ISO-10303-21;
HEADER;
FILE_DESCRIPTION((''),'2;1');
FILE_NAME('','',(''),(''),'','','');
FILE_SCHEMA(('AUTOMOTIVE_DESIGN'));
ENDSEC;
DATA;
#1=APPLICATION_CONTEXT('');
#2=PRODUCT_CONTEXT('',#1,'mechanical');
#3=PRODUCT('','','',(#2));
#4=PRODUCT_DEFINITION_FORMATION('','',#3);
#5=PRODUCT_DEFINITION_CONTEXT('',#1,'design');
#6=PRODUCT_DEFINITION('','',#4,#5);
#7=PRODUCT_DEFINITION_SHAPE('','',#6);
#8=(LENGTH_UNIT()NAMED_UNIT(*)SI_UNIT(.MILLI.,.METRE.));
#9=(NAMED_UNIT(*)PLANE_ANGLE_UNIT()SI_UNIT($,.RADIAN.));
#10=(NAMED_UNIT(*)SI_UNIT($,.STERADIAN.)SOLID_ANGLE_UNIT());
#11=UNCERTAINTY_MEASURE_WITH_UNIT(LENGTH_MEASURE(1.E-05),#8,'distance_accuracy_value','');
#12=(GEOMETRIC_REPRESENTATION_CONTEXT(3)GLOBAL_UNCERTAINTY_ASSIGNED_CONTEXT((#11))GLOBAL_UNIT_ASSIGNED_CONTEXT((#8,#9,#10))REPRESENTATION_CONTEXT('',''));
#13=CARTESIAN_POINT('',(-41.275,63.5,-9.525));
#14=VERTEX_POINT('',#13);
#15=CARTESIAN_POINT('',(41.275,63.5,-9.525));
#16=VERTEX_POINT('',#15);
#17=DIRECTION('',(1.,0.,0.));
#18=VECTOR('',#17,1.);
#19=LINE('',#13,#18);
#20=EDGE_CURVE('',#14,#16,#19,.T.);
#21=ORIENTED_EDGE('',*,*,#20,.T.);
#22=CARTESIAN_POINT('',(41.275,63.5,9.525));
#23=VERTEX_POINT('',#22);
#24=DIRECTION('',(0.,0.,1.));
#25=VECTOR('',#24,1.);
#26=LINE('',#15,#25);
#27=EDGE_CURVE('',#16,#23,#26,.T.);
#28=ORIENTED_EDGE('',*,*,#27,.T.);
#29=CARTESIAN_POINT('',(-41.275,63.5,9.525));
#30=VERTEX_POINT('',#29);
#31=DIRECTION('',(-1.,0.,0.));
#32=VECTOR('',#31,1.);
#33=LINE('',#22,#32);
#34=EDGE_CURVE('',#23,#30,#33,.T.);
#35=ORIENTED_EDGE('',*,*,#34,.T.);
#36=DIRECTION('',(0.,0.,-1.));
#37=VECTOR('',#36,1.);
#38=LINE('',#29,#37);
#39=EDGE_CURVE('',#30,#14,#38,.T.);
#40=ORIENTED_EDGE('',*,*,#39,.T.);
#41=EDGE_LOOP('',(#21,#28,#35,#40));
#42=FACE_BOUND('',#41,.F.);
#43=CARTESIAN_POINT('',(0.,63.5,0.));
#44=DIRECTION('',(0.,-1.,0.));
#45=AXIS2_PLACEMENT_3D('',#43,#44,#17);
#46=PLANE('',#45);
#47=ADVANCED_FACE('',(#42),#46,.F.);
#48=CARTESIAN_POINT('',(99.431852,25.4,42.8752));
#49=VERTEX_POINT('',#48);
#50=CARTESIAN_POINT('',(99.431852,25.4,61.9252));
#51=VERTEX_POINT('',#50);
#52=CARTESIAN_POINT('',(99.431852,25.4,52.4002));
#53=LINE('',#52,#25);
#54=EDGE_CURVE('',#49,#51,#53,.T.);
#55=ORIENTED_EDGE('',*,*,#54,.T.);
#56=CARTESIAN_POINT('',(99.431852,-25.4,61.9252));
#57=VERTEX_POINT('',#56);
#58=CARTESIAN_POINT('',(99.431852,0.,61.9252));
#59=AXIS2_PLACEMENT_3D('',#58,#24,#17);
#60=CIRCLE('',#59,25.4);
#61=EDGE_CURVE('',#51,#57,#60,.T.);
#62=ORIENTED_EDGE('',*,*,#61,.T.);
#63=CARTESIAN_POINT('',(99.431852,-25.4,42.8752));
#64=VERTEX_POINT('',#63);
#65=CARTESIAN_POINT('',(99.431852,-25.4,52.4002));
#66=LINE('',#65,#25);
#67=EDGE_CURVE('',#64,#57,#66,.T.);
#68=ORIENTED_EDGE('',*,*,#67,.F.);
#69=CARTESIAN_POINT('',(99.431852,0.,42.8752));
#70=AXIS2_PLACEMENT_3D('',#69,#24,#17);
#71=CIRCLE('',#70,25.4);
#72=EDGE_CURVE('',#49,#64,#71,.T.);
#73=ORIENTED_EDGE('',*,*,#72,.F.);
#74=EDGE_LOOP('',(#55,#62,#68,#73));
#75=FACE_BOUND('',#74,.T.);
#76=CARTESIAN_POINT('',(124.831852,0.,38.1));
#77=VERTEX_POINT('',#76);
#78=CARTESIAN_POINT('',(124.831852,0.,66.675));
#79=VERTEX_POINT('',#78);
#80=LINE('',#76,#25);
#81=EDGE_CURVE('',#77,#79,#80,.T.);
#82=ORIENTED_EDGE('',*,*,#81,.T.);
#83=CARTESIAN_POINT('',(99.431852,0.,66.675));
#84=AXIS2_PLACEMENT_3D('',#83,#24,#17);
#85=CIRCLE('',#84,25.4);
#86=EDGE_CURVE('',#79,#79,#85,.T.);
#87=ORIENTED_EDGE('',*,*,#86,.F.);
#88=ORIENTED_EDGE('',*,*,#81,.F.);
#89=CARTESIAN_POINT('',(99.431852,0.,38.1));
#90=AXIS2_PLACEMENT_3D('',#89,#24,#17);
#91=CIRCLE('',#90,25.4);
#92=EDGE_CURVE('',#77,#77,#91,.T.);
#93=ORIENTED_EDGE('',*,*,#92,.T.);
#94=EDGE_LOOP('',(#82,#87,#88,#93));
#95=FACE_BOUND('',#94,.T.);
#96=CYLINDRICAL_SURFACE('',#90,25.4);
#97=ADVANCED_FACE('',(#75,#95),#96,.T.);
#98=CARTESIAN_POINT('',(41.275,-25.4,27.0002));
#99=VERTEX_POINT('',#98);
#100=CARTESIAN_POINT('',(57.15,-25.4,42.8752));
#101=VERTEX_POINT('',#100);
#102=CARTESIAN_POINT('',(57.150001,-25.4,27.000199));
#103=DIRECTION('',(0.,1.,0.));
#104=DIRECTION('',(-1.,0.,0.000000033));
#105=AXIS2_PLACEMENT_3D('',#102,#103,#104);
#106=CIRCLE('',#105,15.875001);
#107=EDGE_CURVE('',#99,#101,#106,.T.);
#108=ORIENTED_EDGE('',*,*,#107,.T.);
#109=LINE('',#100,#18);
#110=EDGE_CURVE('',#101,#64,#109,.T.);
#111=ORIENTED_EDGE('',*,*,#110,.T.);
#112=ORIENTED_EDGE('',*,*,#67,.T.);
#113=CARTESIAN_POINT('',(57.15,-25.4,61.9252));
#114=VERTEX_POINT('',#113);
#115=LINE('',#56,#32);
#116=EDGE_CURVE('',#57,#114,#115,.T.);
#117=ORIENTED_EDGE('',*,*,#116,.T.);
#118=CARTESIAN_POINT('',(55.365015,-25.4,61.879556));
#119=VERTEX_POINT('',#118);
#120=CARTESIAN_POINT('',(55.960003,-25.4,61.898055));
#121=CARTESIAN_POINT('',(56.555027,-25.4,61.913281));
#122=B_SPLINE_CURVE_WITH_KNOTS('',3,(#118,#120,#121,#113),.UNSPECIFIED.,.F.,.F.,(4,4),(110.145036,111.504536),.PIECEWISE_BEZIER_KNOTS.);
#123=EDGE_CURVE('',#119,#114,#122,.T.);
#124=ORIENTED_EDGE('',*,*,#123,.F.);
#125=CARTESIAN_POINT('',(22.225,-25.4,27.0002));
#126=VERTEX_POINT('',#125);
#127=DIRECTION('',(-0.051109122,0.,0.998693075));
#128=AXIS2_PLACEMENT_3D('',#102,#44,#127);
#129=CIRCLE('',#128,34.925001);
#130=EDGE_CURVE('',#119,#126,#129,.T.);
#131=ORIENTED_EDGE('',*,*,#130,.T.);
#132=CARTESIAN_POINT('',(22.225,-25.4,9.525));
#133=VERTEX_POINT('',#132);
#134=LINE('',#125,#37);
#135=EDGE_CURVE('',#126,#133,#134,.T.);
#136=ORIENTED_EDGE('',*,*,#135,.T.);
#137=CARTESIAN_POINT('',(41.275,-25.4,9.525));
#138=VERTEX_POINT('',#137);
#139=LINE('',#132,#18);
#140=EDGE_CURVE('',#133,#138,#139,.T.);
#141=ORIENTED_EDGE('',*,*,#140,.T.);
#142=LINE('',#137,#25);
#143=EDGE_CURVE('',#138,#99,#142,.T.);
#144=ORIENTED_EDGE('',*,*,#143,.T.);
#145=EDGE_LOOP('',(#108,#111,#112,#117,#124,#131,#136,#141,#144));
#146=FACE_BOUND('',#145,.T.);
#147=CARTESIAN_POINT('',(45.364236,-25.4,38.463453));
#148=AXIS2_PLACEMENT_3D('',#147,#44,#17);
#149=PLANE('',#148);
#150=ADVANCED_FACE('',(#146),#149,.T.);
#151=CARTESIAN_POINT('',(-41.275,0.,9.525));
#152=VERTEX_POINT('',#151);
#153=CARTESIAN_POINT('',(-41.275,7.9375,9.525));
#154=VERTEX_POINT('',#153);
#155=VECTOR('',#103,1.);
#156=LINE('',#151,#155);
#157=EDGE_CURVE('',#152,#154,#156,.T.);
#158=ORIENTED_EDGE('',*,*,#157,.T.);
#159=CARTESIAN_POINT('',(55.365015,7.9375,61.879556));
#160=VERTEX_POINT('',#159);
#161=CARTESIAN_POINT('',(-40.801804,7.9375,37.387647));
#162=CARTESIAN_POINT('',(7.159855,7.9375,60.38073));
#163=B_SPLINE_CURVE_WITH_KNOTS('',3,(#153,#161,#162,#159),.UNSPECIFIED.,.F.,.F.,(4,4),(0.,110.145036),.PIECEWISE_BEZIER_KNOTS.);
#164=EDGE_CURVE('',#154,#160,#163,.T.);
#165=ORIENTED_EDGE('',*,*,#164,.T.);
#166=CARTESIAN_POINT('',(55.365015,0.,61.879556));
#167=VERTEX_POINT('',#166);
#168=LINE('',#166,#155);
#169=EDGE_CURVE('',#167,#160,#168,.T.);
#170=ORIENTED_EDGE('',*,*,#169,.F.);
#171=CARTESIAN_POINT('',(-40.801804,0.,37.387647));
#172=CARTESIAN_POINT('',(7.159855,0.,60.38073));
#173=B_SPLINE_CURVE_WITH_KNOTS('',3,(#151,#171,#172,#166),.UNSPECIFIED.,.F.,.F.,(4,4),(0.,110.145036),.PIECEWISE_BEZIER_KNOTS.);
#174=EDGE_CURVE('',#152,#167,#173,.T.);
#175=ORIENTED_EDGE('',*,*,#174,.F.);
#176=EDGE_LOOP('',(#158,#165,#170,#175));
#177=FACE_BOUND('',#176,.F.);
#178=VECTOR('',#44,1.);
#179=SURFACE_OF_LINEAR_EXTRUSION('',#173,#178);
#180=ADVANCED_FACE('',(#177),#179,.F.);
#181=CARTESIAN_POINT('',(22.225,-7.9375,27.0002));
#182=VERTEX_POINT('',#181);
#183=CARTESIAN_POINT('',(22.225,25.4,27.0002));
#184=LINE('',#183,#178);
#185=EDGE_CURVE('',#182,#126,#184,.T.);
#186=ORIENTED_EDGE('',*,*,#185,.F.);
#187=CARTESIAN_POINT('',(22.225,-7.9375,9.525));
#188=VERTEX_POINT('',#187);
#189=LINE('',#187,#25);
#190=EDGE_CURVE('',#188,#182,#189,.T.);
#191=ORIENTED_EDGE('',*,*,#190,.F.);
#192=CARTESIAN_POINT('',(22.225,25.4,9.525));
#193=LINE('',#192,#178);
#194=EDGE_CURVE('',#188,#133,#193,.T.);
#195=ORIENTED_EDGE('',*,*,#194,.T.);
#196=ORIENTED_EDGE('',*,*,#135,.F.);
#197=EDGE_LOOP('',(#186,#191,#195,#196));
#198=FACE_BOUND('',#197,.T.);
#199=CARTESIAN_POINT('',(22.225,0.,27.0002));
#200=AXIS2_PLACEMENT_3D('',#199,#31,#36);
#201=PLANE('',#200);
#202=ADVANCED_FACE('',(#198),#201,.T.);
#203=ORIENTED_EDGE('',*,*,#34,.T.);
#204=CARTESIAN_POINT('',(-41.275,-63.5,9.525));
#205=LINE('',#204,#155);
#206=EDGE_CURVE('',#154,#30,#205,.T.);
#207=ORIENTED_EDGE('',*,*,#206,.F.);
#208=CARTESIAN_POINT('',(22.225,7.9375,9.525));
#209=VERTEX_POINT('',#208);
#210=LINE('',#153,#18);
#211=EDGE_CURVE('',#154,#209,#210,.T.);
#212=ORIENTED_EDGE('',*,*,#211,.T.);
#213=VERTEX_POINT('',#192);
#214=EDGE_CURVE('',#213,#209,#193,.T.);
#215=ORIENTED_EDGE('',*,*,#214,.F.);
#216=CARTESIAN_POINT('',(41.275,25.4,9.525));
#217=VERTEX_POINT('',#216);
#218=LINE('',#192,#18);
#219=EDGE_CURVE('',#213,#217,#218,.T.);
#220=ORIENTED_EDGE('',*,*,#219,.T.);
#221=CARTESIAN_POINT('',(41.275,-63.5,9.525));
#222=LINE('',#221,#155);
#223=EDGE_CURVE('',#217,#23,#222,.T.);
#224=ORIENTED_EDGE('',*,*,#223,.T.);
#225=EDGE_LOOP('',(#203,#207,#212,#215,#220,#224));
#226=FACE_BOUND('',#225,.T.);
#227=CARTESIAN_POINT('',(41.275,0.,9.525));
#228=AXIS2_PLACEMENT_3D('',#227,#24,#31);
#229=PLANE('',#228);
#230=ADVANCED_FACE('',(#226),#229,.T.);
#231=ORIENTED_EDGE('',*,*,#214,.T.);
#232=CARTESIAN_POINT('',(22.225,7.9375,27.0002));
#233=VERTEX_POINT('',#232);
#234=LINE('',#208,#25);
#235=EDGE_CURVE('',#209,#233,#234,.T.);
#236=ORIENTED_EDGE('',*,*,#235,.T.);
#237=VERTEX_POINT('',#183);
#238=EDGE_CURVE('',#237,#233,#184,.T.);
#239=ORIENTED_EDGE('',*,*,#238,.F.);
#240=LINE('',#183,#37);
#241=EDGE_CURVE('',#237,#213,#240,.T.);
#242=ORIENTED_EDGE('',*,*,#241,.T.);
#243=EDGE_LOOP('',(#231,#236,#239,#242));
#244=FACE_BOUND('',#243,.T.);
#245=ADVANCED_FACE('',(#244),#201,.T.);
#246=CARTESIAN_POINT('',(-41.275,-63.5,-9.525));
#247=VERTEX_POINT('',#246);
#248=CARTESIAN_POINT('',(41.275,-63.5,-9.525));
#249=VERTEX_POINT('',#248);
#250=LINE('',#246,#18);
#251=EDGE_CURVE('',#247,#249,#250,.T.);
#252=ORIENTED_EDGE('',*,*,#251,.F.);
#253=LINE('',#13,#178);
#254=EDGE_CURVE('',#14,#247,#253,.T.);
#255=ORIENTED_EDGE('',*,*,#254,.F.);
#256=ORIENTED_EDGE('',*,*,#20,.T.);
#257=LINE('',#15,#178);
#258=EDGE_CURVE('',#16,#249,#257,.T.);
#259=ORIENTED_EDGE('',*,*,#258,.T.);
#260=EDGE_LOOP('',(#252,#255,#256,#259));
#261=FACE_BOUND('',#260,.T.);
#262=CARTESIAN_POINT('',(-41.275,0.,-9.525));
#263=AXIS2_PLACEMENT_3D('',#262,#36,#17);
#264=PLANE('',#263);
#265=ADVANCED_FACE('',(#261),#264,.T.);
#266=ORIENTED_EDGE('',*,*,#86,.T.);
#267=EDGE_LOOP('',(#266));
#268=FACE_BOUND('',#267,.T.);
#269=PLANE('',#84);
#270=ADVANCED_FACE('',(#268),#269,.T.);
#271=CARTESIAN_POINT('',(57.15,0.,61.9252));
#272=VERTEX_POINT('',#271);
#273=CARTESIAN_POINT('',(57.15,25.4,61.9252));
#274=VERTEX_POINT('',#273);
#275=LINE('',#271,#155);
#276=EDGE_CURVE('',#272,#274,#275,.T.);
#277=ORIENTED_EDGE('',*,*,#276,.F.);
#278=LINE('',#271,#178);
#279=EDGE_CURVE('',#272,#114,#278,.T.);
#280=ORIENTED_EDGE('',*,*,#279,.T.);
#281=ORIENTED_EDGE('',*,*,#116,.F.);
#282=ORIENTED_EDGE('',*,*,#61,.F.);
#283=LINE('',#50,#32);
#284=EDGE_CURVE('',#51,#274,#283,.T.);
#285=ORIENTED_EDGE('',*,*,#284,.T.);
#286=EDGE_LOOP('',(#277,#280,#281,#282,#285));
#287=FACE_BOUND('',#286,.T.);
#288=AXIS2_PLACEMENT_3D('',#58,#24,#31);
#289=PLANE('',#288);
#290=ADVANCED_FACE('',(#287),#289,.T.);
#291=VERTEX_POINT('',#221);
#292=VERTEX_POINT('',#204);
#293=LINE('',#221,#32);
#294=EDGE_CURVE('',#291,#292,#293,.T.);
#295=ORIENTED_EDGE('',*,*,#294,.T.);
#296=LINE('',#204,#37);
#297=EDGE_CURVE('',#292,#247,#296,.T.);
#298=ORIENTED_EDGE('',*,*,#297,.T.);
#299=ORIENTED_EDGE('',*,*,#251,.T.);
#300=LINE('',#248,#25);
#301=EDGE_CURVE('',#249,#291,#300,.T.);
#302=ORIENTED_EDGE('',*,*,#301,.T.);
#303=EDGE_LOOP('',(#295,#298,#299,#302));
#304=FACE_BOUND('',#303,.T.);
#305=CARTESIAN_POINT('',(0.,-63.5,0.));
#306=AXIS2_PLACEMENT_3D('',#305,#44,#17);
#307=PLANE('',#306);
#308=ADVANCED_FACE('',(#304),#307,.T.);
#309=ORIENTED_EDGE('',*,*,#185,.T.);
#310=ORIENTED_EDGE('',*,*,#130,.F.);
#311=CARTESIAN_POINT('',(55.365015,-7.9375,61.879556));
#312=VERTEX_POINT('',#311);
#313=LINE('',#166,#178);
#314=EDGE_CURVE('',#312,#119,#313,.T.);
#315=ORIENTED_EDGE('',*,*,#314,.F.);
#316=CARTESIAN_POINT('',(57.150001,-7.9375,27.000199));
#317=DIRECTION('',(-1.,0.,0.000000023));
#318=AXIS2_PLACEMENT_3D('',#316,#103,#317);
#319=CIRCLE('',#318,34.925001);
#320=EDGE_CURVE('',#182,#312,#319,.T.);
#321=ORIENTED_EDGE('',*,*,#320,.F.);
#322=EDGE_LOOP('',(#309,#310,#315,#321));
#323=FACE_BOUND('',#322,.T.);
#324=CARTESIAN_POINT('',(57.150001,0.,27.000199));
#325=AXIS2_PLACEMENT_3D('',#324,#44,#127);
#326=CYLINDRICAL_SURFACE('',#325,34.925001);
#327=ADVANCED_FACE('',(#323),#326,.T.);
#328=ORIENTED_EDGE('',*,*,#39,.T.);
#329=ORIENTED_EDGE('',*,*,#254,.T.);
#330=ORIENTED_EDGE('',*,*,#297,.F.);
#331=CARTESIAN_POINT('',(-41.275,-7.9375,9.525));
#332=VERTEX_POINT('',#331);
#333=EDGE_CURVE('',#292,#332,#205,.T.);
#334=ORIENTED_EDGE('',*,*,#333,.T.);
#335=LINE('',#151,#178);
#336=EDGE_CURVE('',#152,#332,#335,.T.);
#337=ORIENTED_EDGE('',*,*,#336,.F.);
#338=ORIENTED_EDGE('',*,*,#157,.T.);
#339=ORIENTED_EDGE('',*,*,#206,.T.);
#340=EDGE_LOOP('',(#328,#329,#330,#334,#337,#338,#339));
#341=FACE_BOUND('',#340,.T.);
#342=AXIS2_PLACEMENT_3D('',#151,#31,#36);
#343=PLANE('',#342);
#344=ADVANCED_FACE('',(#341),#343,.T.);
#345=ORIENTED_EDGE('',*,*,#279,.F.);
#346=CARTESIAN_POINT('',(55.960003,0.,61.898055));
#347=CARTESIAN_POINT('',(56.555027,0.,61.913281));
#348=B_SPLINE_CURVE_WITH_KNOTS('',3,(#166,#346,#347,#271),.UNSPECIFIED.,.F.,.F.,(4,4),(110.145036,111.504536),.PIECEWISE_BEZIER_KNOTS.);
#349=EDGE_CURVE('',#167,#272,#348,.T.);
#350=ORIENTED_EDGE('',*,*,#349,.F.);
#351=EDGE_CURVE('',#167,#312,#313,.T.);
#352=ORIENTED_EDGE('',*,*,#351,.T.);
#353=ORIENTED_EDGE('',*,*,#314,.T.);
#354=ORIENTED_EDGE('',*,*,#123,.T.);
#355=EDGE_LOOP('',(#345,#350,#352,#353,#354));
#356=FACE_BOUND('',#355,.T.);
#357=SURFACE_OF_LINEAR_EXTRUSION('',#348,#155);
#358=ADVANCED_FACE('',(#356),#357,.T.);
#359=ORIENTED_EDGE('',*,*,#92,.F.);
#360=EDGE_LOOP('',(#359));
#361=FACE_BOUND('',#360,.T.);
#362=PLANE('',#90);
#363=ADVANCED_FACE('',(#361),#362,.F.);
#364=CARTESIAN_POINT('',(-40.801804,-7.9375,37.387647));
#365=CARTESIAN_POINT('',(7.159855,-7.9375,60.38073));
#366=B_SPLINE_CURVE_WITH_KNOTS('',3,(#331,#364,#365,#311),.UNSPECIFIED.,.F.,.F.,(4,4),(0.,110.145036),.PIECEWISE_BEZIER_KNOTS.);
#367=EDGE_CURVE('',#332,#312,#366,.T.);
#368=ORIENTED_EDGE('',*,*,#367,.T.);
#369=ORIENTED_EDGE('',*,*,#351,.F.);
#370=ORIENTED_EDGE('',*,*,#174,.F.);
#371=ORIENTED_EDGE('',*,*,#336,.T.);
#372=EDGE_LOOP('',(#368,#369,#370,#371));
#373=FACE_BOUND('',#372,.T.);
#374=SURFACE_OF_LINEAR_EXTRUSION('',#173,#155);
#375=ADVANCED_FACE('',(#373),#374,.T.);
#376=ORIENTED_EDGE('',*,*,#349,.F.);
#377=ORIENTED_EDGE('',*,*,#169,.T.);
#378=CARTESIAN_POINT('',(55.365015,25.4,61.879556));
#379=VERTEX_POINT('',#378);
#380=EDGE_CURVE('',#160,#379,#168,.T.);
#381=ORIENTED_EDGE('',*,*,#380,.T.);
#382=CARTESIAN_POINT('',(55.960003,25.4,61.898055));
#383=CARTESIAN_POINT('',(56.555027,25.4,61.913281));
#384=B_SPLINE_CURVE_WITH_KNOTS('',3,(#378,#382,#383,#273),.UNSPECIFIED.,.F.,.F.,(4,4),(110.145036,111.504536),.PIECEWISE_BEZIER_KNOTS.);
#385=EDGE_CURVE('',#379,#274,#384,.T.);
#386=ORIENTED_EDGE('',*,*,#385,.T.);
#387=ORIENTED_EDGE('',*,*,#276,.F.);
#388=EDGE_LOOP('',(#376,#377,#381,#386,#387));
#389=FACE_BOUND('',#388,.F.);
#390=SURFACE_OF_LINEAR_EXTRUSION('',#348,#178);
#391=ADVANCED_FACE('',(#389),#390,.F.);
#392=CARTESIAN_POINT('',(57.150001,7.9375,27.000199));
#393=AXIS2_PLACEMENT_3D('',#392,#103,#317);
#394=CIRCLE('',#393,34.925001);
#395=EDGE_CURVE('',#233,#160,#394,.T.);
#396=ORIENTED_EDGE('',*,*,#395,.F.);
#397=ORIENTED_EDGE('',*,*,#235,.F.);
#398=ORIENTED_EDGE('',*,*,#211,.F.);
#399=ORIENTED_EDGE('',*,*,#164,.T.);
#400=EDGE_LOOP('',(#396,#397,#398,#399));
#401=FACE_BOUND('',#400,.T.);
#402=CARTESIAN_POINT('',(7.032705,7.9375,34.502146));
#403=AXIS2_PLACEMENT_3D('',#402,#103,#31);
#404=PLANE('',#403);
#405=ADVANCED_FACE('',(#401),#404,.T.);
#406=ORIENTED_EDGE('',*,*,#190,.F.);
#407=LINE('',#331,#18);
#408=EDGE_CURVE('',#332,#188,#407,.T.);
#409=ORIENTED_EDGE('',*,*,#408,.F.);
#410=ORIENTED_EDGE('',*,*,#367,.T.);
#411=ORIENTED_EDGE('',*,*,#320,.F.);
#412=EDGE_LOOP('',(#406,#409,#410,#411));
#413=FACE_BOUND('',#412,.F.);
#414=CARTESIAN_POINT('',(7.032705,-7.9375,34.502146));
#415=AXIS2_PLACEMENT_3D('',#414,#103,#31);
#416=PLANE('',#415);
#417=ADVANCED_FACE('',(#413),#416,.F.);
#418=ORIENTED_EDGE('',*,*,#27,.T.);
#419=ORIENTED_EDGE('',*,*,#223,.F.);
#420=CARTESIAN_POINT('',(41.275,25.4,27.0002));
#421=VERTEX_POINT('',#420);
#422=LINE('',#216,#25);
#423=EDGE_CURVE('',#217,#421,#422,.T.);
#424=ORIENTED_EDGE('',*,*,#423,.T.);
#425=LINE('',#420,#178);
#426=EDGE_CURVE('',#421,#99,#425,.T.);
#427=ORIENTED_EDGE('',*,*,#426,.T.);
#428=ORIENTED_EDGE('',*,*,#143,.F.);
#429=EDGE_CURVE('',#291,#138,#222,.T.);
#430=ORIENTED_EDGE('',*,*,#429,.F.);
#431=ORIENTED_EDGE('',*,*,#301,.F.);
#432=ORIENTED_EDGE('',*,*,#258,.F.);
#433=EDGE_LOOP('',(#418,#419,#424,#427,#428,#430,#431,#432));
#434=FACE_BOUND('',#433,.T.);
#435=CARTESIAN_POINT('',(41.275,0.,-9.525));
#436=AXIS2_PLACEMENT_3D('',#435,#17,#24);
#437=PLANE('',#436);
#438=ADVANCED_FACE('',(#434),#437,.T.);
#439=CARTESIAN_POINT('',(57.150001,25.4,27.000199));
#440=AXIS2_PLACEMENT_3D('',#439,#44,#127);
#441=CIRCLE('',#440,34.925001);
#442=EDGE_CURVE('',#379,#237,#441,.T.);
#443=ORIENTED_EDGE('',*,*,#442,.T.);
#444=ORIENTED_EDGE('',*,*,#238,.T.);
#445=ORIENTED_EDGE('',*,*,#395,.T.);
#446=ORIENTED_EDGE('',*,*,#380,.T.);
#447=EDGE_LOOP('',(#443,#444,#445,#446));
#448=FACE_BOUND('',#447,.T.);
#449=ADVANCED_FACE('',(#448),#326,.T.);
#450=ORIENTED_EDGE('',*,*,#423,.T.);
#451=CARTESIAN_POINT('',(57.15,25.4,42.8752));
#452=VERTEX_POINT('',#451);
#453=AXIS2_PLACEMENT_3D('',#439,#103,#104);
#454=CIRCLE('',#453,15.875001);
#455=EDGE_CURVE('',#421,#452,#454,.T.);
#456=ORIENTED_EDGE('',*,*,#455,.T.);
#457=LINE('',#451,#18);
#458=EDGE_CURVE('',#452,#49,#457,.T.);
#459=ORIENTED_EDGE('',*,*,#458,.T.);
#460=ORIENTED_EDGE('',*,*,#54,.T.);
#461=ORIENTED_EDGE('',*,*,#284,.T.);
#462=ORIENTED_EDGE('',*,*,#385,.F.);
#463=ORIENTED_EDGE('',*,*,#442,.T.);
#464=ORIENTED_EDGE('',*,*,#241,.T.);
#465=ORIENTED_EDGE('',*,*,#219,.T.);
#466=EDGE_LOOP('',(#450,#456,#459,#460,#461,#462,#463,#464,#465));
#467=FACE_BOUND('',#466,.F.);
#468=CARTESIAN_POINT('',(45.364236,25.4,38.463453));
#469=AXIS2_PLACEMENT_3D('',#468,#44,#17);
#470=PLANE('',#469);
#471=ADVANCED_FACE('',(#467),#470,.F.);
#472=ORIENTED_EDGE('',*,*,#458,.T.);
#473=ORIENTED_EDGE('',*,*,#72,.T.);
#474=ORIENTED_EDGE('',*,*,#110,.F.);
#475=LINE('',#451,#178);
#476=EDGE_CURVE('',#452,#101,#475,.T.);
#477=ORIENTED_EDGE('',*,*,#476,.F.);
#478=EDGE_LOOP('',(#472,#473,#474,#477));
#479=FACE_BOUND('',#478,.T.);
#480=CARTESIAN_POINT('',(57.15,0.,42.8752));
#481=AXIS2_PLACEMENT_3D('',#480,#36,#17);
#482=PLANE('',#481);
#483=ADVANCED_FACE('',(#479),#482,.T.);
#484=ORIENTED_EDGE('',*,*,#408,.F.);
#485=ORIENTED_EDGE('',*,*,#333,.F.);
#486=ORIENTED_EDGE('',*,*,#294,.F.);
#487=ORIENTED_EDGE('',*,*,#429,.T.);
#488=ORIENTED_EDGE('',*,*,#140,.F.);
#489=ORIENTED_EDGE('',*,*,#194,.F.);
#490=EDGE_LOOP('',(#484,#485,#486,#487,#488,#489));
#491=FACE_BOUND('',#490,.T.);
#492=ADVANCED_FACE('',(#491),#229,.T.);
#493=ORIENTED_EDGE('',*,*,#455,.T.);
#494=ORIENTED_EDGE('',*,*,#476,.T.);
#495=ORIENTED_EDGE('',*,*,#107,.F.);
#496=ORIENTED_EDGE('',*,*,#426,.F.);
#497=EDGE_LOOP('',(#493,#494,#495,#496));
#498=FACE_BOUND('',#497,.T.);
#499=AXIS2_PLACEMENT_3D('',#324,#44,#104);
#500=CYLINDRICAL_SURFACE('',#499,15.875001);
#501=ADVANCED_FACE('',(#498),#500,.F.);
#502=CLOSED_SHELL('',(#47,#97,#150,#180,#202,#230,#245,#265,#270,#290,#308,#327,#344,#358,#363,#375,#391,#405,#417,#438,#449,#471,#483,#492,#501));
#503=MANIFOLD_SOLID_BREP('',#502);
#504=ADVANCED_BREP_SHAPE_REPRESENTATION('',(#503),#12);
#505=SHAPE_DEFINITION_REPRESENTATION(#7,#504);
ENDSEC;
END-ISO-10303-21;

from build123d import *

# Parameters (mm, degrees)
F1_DEPTH = 63.5
F0_W     = 25.4
F0_H     = 19.05
F2_DEPTH = 25.4
F3_DEPTH = 7.9375


with BuildPart() as f1:
    # F0 (on Front) → F1 (new body, symmetric)
    with BuildSketch(Plane.XZ):
        Polygon((22.225, 9.525), (-41.275, 9.525), (-41.275, -9.525), (41.275, -9.525), (41.275, 9.525), align=None)
    extrude(amount=F1_DEPTH, both=True)

    # F0 (on Front) → F2 (join, symmetric)
    with BuildSketch(Plane.XZ):
        with BuildLine():
            Line((22.225, 27.0002), (22.225, 9.525))
            Line((22.225, 9.525), (41.275, 9.525))
            Line((41.275, 9.525), (41.275, 27.0002))
            ThreePointArc((41.275, 27.0002), (45.92468, 38.22552), (57.15, 42.8752))
            Line((57.15, 42.8752), (74.031852, 42.8752))
            Line((74.031852, 42.8752), (74.031852, 61.9252))
            Line((74.031852, 61.9252), (57.15, 61.9252))
            add(Edge.make_bspline(
                [(55.365015, 61.879556), (55.960003, 61.898055), (56.555027, 61.913281), (57.15, 61.9252)],
                knots=[110.145036, 110.145036, 110.145036, 110.145036, 111.504536, 111.504536, 111.504536, 111.504536], degree=3))
            ThreePointArc((55.365015, 61.879556), (31.831072, 51.05654), (22.225, 27.0002))
        make_face()
        with Locations((86.731852, 52.4002)):
            Rectangle(F0_W, F0_H)
    extrude(amount=F2_DEPTH, both=True)

    # F0 (on Front) → F3 (join, symmetric)
    with BuildSketch(Plane.XZ):
        with BuildLine():
            add(Edge.make_bspline(
                [(-41.275, 9.525), (-40.801804, 37.387647), (7.159855, 60.38073), (55.365015, 61.879556)],
                knots=[0, 0, 0, 0, 110.145036, 110.145036, 110.145036, 110.145036], degree=3))
            Line((-41.275, 9.525), (22.225, 9.525))
            Line((22.225, 9.525), (22.225, 27.0002))
            ThreePointArc((22.225, 27.0002), (31.831072, 51.05654), (55.365015, 61.879556))
        make_face()
    extrude(amount=F3_DEPTH, both=True)

    # F0 (on Front) → F4 (revolve)
    with BuildSketch(Plane.XZ):
        Polygon((99.431852, 66.675), (99.431852, 61.9252), (99.431852, 42.8752), (99.431852, 38.1), (124.831852, 38.1), (124.831852, 66.675), align=None)
    revolve(axis=Axis((99.431852, 0, 52.3875), (0, 0, 1)))


solid = f1.part
